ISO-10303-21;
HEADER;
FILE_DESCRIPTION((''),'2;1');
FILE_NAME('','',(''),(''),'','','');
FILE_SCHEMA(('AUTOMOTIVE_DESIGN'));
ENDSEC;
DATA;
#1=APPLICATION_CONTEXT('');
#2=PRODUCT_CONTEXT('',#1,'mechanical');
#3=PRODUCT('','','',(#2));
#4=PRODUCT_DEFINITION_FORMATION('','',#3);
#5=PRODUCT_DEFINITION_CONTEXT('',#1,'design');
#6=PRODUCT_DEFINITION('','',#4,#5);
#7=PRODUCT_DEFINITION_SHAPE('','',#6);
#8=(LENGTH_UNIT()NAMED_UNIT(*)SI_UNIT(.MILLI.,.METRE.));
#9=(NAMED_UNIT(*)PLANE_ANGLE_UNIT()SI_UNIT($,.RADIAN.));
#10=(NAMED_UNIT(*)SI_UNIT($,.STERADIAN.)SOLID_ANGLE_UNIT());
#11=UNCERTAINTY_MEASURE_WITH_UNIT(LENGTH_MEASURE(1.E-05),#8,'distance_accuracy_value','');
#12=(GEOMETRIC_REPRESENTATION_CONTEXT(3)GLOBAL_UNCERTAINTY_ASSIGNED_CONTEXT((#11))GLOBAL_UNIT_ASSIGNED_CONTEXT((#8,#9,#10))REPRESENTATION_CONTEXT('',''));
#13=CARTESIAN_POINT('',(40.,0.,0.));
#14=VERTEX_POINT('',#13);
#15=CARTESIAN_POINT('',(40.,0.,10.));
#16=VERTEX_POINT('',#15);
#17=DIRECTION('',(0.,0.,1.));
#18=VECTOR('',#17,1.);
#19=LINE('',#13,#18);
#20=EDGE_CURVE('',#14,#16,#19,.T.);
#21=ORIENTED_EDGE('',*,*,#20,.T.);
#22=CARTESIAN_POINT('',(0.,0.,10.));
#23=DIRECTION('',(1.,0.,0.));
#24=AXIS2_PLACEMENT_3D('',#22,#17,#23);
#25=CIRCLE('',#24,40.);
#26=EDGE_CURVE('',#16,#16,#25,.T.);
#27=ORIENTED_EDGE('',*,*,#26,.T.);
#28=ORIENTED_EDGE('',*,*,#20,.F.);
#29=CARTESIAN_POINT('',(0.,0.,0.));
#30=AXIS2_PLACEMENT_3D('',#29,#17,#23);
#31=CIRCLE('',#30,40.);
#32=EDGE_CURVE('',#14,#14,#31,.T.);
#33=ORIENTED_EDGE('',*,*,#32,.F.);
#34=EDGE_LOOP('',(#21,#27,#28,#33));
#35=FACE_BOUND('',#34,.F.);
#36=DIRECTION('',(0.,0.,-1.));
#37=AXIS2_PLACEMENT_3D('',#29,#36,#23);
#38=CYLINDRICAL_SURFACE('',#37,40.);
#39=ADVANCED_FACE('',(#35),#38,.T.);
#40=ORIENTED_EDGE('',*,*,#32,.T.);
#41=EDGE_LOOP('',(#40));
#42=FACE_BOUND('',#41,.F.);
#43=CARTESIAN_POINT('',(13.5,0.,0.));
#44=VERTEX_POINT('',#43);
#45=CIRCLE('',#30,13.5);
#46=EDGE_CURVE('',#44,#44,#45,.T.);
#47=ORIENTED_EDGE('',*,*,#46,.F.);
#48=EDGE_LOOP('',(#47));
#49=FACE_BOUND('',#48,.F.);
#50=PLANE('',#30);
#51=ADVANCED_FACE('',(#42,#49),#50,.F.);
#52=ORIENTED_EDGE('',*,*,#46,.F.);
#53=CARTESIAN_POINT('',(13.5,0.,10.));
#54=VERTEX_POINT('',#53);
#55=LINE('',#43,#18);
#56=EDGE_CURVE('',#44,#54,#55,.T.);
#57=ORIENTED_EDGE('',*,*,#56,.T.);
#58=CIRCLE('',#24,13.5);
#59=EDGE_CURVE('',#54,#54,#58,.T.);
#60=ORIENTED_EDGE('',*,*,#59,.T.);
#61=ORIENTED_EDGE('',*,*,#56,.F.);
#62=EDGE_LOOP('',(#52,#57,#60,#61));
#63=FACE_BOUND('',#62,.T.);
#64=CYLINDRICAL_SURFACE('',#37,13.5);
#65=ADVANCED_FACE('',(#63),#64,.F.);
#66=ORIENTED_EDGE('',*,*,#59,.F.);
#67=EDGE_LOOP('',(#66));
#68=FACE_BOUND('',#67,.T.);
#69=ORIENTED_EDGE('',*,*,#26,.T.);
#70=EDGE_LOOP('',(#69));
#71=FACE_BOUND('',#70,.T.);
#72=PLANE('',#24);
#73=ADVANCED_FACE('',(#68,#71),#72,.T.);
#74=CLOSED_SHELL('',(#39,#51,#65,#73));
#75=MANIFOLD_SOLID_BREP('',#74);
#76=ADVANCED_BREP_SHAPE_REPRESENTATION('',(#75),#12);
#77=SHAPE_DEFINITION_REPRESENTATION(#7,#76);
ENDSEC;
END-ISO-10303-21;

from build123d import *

# Parameters (mm, degrees)
SKETCH_R   = 40
SKETCH_R_2 = 13.5
PAD_DEPTH  = 10


with BuildPart() as part:
    # Sketch → Pad (new body)
    with BuildSketch(Plane.XY):
        Circle(SKETCH_R)
        Circle(SKETCH_R_2, mode=Mode.SUBTRACT)
    extrude(amount=PAD_DEPTH)


solid = part.part
